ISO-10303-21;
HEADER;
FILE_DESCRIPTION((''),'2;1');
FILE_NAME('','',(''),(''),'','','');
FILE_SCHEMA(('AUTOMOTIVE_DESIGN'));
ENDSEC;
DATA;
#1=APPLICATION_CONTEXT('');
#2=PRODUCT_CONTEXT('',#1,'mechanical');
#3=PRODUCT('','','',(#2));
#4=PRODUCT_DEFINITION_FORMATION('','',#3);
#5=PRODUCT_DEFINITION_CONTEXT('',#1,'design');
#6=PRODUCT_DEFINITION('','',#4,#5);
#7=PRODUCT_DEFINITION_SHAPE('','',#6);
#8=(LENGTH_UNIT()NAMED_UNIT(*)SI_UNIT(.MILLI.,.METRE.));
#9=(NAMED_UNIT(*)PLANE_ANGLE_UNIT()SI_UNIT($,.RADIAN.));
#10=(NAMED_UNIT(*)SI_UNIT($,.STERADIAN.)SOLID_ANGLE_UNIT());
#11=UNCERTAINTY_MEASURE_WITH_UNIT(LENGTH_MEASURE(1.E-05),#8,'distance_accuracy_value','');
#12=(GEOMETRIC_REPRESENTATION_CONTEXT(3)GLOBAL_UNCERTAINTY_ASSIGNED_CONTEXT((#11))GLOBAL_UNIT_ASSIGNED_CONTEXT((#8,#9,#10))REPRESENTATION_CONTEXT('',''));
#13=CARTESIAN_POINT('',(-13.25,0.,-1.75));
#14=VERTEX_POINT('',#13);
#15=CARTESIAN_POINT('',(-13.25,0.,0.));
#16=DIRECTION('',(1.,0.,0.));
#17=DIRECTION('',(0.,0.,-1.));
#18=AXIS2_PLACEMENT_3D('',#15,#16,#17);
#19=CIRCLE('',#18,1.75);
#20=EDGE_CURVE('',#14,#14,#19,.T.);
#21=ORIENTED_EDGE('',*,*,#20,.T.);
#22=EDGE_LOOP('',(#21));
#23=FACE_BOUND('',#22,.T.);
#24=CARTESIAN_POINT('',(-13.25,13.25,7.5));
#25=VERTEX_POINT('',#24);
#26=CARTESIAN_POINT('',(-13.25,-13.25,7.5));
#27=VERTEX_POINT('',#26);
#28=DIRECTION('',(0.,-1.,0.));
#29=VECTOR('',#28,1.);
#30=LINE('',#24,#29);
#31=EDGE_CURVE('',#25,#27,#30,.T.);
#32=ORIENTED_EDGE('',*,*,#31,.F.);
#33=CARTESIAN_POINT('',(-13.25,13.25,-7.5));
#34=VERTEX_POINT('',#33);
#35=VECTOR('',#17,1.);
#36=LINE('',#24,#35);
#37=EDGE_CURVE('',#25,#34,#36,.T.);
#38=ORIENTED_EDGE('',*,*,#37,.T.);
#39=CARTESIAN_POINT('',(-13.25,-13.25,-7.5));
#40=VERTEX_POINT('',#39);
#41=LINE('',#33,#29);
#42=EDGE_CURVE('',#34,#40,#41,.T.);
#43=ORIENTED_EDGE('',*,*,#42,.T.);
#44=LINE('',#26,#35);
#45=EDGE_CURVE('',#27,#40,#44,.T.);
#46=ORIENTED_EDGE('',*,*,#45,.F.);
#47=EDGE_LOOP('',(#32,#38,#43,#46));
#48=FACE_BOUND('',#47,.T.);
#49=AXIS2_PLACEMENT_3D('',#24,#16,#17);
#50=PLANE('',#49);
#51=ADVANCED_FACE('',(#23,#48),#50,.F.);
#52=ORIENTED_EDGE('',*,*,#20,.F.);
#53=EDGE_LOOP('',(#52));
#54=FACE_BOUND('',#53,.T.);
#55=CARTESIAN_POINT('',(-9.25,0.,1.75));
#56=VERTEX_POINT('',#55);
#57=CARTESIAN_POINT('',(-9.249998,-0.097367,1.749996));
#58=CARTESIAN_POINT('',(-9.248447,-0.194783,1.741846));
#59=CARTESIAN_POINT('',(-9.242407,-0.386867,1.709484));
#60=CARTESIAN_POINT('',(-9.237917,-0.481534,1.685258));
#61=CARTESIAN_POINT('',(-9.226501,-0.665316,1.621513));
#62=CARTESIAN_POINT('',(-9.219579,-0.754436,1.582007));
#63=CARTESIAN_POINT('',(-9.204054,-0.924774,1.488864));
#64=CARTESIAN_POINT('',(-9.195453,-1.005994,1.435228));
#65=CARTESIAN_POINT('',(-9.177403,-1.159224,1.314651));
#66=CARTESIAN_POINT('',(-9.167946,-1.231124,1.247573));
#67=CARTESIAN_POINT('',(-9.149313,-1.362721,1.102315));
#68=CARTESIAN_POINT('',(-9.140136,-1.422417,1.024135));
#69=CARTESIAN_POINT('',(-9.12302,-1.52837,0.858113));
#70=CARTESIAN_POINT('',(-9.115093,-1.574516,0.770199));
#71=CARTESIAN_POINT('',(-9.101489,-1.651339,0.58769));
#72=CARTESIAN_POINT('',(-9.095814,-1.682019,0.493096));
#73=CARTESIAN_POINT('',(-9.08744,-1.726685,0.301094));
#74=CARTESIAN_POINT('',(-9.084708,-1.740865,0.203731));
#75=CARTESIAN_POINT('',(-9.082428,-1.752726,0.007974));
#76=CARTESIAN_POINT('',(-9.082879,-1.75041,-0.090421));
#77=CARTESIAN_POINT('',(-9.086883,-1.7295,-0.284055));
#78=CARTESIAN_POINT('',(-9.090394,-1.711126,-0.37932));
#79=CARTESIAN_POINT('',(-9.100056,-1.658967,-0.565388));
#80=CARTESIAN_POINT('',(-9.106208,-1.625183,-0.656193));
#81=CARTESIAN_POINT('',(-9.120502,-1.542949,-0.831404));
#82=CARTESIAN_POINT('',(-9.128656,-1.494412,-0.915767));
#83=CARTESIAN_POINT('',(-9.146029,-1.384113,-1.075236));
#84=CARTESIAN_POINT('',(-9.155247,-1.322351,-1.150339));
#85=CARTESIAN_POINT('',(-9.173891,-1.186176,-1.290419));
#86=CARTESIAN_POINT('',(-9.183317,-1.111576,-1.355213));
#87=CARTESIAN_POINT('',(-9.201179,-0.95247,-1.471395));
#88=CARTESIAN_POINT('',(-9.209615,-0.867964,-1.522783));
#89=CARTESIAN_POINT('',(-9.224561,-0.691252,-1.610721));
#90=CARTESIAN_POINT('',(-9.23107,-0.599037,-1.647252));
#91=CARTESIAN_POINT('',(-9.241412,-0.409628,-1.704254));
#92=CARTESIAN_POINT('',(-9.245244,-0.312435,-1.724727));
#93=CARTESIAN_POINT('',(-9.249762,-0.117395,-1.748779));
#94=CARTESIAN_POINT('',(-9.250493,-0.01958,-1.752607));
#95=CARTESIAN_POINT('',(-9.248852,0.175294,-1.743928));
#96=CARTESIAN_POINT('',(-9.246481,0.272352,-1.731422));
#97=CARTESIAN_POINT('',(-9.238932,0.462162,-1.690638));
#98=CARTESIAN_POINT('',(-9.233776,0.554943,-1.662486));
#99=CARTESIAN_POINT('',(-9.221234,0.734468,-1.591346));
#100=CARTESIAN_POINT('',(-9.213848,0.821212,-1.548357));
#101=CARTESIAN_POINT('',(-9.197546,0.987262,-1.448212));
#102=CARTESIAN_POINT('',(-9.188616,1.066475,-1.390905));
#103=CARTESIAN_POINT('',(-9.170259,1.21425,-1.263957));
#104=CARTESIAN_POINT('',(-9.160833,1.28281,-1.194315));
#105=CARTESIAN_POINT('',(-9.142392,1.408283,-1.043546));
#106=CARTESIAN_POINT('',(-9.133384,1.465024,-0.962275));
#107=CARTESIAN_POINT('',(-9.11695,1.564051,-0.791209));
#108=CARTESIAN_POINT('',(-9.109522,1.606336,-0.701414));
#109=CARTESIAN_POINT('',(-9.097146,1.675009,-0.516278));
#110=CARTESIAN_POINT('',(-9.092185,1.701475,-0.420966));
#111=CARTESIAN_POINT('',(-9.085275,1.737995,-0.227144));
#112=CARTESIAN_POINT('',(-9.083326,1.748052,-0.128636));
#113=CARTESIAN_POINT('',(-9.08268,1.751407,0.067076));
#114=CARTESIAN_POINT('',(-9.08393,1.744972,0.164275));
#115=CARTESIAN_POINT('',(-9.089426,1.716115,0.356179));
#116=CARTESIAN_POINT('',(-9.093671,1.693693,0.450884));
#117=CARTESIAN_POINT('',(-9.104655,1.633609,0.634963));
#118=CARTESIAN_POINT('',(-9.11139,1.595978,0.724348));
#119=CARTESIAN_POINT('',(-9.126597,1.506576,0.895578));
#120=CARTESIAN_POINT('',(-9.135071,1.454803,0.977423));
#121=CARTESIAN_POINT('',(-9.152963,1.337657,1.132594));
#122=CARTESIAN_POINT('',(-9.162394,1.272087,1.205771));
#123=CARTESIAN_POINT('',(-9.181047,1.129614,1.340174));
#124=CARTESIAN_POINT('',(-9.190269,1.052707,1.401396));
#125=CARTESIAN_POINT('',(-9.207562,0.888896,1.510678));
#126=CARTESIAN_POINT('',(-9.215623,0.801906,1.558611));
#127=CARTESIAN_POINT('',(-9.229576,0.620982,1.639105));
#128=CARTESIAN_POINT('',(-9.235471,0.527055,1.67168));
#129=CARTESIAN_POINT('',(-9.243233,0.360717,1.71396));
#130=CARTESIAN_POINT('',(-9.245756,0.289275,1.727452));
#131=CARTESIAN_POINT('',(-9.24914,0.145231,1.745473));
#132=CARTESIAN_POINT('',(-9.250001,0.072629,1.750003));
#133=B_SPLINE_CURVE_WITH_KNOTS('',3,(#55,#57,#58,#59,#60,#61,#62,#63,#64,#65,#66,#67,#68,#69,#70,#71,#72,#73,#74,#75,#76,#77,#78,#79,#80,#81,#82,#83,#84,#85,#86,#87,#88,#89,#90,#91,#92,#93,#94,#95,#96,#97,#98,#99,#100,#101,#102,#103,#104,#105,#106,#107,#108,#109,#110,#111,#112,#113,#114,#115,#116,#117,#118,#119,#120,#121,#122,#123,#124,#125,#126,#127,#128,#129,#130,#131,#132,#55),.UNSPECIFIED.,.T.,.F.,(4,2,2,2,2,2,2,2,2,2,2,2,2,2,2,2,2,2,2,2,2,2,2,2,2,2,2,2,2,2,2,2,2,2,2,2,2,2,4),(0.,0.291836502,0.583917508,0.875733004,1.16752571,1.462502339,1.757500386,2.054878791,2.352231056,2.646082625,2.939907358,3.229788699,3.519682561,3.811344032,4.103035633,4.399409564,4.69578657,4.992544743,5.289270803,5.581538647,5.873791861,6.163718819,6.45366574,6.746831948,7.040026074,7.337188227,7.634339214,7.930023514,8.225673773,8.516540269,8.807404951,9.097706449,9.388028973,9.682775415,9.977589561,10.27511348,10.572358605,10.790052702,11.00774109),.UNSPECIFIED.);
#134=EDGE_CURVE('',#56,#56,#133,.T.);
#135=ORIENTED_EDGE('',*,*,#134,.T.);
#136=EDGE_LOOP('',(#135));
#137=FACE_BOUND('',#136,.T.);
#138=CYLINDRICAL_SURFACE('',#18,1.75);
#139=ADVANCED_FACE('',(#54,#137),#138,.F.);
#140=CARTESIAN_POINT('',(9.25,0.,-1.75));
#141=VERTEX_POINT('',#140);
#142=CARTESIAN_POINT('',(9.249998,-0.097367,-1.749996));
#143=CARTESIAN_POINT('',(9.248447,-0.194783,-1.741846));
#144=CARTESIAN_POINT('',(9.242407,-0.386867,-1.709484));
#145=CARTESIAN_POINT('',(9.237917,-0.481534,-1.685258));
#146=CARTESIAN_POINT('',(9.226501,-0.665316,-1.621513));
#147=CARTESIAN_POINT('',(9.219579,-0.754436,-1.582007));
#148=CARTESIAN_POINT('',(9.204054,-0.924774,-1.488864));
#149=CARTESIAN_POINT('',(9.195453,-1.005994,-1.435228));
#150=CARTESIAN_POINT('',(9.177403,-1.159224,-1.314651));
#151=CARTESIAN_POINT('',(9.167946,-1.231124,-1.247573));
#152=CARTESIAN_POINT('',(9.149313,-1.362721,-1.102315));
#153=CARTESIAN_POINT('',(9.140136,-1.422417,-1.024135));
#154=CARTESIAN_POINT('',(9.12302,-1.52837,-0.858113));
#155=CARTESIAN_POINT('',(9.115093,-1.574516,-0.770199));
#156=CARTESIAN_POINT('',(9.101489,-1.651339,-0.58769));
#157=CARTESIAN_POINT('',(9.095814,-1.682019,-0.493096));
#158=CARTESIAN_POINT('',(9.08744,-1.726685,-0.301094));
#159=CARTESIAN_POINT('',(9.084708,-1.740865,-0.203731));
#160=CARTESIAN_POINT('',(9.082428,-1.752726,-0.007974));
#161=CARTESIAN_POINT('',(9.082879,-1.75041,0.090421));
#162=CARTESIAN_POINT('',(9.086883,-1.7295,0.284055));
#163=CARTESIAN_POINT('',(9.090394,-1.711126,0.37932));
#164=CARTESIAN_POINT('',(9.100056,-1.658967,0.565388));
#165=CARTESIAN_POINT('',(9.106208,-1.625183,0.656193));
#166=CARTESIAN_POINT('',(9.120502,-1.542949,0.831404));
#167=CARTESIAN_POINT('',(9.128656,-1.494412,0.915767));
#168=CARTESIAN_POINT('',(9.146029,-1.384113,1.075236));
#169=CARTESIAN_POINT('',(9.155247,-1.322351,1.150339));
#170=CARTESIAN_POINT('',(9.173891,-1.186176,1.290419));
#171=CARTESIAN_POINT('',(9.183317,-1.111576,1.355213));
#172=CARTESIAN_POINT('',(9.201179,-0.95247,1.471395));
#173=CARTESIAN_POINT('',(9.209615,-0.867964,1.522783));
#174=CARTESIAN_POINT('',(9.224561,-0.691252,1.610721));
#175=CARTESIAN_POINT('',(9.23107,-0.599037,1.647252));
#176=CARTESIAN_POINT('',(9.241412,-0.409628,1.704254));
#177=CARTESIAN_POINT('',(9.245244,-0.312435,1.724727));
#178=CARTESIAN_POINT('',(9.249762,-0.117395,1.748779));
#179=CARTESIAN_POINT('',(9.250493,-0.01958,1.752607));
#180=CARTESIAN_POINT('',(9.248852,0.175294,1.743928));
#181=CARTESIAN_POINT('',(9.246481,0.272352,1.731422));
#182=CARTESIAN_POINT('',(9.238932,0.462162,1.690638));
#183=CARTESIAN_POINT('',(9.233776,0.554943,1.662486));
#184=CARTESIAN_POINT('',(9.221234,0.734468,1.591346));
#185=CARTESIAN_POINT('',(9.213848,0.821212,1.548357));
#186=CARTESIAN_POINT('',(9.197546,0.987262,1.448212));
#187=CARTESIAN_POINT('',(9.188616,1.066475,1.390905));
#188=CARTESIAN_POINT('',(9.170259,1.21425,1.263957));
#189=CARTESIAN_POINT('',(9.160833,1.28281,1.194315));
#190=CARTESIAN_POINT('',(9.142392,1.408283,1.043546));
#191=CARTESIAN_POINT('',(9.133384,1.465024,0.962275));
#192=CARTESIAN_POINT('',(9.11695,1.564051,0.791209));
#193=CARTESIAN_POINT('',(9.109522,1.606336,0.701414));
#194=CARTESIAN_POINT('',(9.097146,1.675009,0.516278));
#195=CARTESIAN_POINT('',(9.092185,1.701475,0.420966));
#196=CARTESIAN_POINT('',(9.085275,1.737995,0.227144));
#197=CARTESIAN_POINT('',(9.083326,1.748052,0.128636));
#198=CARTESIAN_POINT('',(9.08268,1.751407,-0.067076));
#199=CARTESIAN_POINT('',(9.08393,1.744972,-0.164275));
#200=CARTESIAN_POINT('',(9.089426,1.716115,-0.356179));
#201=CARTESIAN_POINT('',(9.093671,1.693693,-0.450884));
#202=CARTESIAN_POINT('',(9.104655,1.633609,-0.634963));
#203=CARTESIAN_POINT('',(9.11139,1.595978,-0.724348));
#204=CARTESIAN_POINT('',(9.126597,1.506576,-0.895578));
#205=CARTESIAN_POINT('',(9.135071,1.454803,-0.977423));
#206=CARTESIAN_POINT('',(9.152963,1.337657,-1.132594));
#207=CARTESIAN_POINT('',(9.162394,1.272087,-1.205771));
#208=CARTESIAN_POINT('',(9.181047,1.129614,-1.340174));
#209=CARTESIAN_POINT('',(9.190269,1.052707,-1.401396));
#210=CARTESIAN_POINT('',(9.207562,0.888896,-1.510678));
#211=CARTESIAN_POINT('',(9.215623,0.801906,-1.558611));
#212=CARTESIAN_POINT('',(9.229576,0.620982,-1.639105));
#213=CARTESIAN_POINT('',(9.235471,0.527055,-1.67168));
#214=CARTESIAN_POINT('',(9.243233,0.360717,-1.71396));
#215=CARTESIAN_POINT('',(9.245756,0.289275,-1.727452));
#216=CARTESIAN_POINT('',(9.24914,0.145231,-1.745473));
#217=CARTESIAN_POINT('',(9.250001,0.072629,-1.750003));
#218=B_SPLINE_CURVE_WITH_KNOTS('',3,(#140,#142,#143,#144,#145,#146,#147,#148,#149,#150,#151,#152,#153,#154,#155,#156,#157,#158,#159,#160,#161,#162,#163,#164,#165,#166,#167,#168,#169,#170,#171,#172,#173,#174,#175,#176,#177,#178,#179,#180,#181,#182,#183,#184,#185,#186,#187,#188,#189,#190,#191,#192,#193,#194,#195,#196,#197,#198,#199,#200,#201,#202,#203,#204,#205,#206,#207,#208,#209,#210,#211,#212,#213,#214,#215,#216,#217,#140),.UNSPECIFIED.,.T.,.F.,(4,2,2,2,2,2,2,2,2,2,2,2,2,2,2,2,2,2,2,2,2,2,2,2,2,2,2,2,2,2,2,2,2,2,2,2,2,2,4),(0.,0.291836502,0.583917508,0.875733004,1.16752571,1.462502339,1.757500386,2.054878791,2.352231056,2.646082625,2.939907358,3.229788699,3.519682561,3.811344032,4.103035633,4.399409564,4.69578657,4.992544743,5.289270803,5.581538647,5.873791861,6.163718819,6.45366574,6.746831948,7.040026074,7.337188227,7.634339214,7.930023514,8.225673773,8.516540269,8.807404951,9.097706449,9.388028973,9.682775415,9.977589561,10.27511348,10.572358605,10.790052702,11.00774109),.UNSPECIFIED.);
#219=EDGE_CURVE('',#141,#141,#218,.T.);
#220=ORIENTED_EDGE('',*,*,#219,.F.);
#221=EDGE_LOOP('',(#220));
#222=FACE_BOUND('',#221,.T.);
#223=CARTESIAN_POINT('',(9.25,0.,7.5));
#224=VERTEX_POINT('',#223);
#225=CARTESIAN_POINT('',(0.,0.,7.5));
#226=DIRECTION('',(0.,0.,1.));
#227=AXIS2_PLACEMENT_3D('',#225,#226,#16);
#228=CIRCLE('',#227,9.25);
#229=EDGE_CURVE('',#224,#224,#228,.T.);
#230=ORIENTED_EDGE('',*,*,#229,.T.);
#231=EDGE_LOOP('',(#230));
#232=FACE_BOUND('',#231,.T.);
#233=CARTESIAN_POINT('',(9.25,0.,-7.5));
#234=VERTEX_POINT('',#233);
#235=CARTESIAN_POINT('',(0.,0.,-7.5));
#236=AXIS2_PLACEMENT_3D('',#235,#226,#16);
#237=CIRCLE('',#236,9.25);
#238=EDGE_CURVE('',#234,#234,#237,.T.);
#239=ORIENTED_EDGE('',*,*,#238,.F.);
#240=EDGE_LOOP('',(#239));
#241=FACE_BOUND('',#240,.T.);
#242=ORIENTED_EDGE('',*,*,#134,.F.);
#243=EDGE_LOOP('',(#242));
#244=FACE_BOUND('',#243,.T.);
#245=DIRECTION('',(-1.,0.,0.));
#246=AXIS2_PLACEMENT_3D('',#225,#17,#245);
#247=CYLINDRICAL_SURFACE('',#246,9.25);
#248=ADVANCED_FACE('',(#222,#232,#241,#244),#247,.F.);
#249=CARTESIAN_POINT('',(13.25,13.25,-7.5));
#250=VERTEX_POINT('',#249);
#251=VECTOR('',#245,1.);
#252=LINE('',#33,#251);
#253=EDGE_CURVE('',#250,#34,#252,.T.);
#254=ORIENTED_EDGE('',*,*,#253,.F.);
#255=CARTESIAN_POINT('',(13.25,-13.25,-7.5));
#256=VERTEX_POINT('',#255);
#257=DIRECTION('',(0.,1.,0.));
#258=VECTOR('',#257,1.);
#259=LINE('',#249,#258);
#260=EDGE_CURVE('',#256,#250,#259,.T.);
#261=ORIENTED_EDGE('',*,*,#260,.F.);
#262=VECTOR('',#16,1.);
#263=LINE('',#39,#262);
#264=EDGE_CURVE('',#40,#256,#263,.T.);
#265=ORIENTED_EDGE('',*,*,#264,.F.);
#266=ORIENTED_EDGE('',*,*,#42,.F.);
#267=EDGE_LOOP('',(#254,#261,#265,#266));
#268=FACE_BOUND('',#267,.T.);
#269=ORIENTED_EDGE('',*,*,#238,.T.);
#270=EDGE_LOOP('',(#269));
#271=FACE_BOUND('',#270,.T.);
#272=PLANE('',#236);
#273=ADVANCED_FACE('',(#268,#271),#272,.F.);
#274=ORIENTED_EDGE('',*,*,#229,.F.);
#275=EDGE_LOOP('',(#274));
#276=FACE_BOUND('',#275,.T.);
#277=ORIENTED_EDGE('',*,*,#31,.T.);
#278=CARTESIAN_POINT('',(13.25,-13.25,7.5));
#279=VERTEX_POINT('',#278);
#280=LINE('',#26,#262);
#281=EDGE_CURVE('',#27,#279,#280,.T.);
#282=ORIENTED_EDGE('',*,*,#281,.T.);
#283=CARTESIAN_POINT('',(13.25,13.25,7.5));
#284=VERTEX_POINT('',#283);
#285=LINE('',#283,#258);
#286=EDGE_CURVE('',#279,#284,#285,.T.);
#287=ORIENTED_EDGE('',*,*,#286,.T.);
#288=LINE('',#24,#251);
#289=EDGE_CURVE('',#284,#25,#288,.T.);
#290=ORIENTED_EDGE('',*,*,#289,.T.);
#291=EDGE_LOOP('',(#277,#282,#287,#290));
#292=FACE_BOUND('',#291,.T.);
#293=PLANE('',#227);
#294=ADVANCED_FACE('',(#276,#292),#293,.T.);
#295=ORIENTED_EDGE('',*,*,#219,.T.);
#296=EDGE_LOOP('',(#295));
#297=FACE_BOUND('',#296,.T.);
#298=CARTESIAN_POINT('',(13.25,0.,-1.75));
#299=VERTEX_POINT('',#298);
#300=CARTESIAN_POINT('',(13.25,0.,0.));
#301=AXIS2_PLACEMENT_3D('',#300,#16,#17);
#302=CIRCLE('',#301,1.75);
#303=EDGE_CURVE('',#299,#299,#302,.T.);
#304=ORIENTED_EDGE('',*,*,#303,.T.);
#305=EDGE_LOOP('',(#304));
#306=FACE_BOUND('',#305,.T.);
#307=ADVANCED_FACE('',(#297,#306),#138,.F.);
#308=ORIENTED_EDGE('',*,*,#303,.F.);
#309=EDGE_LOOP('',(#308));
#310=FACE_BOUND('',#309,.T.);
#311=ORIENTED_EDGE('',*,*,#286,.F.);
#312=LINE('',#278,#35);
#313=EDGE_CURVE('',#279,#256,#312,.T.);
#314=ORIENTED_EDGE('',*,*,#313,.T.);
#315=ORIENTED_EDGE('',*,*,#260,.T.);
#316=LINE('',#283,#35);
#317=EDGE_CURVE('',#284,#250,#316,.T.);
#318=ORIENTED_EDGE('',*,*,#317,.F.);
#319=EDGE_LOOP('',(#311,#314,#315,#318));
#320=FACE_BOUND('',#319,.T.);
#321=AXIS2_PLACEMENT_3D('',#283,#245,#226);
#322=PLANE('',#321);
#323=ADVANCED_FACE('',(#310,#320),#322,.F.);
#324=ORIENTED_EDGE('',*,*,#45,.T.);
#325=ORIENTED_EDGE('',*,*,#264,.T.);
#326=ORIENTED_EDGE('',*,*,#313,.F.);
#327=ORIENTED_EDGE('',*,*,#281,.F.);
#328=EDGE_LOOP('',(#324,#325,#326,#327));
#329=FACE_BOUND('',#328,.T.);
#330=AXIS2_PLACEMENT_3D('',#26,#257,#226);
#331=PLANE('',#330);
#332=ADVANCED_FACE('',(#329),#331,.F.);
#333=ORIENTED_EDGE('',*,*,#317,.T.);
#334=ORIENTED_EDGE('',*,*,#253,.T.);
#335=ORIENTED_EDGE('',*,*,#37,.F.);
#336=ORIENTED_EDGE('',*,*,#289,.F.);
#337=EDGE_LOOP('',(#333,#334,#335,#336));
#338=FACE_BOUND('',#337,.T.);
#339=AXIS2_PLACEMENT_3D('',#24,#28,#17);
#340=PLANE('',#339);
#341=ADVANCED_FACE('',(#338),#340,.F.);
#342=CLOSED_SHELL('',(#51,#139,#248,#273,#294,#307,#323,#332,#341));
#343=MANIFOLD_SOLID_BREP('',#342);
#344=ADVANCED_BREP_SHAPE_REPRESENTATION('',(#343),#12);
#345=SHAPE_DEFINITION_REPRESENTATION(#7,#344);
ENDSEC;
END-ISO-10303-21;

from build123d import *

# Parameters (mm, degrees)
SKETCH_1_W               = 26.5
SKETCH_1_H               = 26.5
SKETCH_1_R               = 9.25
EXTRUDE_1_DEPTH          = 7.5
SKETCH_3_R               = 1.75
CUT_EXTRUDE_1_DEPTH      = 14.25
CUT_EXTRUDE_1_DEPTH_BACK = 14.25


with BuildPart() as part:
    # ｽｹｯﾁ1 → ﾎﾞｽ - 押し出し1 (new body, symmetric)
    with BuildSketch(Plane.XY):
        Rectangle(SKETCH_1_W, SKETCH_1_H)
        Circle(SKETCH_1_R, mode=Mode.SUBTRACT)
    extrude(amount=EXTRUDE_1_DEPTH, both=True)

    # ｽｹｯﾁ3 → ｶｯﾄ - 押し出し1 (cut, two sides)
    with BuildSketch(Plane(origin=(0, 0, 0), x_dir=(0, 0, -1), z_dir=(1, 0, 0))) as cut_extrude_1_sk:
        Circle(SKETCH_3_R)
    extrude(amount=CUT_EXTRUDE_1_DEPTH, mode=Mode.SUBTRACT)
    extrude(cut_extrude_1_sk.sketch, amount=-CUT_EXTRUDE_1_DEPTH_BACK, mode=Mode.SUBTRACT)


solid = part.part
